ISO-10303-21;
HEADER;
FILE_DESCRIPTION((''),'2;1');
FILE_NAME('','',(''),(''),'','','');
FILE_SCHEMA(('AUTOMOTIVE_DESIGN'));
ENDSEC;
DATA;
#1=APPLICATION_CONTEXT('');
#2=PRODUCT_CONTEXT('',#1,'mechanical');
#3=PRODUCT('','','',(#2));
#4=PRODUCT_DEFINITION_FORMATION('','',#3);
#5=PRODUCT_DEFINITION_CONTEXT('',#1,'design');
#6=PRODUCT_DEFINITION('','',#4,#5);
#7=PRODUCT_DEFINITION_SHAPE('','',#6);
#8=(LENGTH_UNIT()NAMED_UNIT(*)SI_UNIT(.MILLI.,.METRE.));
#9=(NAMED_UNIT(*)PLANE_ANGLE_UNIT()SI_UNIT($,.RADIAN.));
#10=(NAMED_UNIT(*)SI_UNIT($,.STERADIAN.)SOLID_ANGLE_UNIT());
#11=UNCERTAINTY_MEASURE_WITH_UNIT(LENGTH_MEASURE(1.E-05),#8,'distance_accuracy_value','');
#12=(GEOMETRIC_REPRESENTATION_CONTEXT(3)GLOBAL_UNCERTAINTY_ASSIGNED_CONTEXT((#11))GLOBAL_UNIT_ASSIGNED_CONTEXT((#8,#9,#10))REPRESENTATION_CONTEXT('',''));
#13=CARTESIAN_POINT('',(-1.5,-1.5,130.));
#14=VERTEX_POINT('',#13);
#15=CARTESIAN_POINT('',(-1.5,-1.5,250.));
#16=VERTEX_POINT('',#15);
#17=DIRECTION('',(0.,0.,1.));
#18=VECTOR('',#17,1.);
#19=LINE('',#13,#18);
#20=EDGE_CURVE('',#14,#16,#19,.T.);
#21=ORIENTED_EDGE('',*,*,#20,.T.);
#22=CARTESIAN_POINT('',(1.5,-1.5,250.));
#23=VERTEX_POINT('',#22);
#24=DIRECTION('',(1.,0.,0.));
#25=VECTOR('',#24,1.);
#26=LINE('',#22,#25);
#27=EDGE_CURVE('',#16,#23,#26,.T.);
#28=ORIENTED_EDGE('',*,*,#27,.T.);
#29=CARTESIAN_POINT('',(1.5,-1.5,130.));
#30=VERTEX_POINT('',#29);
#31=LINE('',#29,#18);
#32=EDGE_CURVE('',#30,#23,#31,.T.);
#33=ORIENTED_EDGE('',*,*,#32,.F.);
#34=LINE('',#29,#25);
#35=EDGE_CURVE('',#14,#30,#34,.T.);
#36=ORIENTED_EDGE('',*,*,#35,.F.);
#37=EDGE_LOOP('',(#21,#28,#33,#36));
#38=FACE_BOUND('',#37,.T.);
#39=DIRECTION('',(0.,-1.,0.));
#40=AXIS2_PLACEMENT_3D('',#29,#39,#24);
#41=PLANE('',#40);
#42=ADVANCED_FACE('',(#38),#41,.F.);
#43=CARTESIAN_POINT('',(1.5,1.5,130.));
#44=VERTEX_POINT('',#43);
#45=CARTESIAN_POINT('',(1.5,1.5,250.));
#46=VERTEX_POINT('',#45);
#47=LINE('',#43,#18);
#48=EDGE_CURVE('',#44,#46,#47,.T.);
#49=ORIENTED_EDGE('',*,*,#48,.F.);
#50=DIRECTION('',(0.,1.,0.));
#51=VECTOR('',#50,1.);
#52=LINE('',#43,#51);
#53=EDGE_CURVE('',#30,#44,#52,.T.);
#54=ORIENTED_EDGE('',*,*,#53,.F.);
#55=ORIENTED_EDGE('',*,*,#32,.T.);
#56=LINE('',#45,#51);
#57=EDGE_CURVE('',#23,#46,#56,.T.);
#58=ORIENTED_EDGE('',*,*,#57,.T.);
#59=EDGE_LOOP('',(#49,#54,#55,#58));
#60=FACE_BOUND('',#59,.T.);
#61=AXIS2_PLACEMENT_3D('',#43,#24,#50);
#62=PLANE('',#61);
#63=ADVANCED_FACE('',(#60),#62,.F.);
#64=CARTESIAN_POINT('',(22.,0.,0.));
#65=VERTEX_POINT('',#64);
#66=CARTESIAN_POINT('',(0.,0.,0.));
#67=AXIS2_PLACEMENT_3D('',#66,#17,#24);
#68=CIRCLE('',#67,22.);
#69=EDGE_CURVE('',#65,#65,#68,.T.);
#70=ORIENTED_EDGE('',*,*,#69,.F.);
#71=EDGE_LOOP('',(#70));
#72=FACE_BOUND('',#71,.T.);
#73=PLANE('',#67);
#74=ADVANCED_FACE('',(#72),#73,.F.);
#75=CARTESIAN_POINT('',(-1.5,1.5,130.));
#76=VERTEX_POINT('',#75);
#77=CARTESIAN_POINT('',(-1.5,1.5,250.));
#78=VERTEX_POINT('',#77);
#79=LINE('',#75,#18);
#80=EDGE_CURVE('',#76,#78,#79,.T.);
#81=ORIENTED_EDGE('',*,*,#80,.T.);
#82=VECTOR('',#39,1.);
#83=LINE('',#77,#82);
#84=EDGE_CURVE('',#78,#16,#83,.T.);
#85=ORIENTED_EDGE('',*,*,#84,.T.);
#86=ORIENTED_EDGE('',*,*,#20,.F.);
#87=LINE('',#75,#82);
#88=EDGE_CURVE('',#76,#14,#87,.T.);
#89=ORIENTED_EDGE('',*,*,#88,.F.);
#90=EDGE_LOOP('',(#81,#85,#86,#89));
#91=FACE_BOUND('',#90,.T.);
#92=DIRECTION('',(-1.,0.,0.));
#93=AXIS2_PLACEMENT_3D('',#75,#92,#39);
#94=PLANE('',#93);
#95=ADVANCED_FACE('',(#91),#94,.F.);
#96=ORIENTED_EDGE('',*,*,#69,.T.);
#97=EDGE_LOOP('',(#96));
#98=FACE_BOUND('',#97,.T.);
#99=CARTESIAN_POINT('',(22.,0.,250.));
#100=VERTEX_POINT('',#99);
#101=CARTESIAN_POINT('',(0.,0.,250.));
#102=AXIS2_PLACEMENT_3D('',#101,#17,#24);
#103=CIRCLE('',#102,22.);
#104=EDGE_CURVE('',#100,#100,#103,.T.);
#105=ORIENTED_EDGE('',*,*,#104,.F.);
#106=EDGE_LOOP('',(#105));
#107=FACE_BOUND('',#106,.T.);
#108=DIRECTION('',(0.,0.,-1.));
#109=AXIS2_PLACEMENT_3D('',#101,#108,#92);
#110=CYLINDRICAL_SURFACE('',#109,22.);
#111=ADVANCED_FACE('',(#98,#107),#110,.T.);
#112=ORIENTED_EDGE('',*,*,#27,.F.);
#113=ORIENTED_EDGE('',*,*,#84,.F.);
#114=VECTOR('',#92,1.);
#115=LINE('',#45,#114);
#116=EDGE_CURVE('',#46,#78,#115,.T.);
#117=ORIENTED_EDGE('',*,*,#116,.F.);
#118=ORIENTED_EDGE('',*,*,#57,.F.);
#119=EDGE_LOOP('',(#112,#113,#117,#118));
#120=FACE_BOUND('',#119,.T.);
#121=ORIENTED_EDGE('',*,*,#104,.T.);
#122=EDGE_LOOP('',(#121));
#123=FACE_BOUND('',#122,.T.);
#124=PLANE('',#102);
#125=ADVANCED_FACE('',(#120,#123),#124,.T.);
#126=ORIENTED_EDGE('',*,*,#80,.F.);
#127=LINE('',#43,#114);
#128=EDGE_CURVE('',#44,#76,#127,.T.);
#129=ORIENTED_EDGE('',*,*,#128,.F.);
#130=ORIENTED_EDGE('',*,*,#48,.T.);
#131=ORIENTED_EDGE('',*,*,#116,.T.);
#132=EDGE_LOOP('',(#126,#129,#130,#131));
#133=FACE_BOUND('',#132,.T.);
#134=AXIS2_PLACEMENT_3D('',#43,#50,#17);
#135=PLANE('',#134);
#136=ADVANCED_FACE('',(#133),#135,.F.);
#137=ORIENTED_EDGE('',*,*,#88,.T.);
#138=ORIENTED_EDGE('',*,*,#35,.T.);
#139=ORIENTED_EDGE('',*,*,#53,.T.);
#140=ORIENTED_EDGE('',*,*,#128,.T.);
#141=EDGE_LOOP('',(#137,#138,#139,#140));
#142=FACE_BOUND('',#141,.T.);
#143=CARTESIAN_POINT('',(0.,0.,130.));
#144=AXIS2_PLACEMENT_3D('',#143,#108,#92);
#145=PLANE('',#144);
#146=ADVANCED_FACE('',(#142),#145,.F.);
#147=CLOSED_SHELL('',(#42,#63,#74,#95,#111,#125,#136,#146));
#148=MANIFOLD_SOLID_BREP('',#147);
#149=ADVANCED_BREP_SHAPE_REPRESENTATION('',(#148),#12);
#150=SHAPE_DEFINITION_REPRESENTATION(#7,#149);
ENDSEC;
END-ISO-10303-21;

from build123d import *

# Parameters (mm, degrees)
ESQUISSE1_R             = 22
BOSS_EXTRU_1_DEPTH      = 250
ESQUISSE2_W             = 3
ESQUISSE2_H             = 3
ENL_V_MAT_EXTRU_1_DEPTH = 120


with BuildPart() as part:
    # Esquisse1 → Boss.-Extru.1 (new body)
    with BuildSketch(Plane.XY):
        Circle(ESQUISSE1_R)
    extrude(amount=BOSS_EXTRU_1_DEPTH)

    # Esquisse2 → Enlèv. mat.-Extru.1 (cut)
    with BuildSketch(Plane.XY.offset(250)):
        Rectangle(ESQUISSE2_W, ESQUISSE2_H)
    extrude(amount=-ENL_V_MAT_EXTRU_1_DEPTH, mode=Mode.SUBTRACT)


solid = part.part
